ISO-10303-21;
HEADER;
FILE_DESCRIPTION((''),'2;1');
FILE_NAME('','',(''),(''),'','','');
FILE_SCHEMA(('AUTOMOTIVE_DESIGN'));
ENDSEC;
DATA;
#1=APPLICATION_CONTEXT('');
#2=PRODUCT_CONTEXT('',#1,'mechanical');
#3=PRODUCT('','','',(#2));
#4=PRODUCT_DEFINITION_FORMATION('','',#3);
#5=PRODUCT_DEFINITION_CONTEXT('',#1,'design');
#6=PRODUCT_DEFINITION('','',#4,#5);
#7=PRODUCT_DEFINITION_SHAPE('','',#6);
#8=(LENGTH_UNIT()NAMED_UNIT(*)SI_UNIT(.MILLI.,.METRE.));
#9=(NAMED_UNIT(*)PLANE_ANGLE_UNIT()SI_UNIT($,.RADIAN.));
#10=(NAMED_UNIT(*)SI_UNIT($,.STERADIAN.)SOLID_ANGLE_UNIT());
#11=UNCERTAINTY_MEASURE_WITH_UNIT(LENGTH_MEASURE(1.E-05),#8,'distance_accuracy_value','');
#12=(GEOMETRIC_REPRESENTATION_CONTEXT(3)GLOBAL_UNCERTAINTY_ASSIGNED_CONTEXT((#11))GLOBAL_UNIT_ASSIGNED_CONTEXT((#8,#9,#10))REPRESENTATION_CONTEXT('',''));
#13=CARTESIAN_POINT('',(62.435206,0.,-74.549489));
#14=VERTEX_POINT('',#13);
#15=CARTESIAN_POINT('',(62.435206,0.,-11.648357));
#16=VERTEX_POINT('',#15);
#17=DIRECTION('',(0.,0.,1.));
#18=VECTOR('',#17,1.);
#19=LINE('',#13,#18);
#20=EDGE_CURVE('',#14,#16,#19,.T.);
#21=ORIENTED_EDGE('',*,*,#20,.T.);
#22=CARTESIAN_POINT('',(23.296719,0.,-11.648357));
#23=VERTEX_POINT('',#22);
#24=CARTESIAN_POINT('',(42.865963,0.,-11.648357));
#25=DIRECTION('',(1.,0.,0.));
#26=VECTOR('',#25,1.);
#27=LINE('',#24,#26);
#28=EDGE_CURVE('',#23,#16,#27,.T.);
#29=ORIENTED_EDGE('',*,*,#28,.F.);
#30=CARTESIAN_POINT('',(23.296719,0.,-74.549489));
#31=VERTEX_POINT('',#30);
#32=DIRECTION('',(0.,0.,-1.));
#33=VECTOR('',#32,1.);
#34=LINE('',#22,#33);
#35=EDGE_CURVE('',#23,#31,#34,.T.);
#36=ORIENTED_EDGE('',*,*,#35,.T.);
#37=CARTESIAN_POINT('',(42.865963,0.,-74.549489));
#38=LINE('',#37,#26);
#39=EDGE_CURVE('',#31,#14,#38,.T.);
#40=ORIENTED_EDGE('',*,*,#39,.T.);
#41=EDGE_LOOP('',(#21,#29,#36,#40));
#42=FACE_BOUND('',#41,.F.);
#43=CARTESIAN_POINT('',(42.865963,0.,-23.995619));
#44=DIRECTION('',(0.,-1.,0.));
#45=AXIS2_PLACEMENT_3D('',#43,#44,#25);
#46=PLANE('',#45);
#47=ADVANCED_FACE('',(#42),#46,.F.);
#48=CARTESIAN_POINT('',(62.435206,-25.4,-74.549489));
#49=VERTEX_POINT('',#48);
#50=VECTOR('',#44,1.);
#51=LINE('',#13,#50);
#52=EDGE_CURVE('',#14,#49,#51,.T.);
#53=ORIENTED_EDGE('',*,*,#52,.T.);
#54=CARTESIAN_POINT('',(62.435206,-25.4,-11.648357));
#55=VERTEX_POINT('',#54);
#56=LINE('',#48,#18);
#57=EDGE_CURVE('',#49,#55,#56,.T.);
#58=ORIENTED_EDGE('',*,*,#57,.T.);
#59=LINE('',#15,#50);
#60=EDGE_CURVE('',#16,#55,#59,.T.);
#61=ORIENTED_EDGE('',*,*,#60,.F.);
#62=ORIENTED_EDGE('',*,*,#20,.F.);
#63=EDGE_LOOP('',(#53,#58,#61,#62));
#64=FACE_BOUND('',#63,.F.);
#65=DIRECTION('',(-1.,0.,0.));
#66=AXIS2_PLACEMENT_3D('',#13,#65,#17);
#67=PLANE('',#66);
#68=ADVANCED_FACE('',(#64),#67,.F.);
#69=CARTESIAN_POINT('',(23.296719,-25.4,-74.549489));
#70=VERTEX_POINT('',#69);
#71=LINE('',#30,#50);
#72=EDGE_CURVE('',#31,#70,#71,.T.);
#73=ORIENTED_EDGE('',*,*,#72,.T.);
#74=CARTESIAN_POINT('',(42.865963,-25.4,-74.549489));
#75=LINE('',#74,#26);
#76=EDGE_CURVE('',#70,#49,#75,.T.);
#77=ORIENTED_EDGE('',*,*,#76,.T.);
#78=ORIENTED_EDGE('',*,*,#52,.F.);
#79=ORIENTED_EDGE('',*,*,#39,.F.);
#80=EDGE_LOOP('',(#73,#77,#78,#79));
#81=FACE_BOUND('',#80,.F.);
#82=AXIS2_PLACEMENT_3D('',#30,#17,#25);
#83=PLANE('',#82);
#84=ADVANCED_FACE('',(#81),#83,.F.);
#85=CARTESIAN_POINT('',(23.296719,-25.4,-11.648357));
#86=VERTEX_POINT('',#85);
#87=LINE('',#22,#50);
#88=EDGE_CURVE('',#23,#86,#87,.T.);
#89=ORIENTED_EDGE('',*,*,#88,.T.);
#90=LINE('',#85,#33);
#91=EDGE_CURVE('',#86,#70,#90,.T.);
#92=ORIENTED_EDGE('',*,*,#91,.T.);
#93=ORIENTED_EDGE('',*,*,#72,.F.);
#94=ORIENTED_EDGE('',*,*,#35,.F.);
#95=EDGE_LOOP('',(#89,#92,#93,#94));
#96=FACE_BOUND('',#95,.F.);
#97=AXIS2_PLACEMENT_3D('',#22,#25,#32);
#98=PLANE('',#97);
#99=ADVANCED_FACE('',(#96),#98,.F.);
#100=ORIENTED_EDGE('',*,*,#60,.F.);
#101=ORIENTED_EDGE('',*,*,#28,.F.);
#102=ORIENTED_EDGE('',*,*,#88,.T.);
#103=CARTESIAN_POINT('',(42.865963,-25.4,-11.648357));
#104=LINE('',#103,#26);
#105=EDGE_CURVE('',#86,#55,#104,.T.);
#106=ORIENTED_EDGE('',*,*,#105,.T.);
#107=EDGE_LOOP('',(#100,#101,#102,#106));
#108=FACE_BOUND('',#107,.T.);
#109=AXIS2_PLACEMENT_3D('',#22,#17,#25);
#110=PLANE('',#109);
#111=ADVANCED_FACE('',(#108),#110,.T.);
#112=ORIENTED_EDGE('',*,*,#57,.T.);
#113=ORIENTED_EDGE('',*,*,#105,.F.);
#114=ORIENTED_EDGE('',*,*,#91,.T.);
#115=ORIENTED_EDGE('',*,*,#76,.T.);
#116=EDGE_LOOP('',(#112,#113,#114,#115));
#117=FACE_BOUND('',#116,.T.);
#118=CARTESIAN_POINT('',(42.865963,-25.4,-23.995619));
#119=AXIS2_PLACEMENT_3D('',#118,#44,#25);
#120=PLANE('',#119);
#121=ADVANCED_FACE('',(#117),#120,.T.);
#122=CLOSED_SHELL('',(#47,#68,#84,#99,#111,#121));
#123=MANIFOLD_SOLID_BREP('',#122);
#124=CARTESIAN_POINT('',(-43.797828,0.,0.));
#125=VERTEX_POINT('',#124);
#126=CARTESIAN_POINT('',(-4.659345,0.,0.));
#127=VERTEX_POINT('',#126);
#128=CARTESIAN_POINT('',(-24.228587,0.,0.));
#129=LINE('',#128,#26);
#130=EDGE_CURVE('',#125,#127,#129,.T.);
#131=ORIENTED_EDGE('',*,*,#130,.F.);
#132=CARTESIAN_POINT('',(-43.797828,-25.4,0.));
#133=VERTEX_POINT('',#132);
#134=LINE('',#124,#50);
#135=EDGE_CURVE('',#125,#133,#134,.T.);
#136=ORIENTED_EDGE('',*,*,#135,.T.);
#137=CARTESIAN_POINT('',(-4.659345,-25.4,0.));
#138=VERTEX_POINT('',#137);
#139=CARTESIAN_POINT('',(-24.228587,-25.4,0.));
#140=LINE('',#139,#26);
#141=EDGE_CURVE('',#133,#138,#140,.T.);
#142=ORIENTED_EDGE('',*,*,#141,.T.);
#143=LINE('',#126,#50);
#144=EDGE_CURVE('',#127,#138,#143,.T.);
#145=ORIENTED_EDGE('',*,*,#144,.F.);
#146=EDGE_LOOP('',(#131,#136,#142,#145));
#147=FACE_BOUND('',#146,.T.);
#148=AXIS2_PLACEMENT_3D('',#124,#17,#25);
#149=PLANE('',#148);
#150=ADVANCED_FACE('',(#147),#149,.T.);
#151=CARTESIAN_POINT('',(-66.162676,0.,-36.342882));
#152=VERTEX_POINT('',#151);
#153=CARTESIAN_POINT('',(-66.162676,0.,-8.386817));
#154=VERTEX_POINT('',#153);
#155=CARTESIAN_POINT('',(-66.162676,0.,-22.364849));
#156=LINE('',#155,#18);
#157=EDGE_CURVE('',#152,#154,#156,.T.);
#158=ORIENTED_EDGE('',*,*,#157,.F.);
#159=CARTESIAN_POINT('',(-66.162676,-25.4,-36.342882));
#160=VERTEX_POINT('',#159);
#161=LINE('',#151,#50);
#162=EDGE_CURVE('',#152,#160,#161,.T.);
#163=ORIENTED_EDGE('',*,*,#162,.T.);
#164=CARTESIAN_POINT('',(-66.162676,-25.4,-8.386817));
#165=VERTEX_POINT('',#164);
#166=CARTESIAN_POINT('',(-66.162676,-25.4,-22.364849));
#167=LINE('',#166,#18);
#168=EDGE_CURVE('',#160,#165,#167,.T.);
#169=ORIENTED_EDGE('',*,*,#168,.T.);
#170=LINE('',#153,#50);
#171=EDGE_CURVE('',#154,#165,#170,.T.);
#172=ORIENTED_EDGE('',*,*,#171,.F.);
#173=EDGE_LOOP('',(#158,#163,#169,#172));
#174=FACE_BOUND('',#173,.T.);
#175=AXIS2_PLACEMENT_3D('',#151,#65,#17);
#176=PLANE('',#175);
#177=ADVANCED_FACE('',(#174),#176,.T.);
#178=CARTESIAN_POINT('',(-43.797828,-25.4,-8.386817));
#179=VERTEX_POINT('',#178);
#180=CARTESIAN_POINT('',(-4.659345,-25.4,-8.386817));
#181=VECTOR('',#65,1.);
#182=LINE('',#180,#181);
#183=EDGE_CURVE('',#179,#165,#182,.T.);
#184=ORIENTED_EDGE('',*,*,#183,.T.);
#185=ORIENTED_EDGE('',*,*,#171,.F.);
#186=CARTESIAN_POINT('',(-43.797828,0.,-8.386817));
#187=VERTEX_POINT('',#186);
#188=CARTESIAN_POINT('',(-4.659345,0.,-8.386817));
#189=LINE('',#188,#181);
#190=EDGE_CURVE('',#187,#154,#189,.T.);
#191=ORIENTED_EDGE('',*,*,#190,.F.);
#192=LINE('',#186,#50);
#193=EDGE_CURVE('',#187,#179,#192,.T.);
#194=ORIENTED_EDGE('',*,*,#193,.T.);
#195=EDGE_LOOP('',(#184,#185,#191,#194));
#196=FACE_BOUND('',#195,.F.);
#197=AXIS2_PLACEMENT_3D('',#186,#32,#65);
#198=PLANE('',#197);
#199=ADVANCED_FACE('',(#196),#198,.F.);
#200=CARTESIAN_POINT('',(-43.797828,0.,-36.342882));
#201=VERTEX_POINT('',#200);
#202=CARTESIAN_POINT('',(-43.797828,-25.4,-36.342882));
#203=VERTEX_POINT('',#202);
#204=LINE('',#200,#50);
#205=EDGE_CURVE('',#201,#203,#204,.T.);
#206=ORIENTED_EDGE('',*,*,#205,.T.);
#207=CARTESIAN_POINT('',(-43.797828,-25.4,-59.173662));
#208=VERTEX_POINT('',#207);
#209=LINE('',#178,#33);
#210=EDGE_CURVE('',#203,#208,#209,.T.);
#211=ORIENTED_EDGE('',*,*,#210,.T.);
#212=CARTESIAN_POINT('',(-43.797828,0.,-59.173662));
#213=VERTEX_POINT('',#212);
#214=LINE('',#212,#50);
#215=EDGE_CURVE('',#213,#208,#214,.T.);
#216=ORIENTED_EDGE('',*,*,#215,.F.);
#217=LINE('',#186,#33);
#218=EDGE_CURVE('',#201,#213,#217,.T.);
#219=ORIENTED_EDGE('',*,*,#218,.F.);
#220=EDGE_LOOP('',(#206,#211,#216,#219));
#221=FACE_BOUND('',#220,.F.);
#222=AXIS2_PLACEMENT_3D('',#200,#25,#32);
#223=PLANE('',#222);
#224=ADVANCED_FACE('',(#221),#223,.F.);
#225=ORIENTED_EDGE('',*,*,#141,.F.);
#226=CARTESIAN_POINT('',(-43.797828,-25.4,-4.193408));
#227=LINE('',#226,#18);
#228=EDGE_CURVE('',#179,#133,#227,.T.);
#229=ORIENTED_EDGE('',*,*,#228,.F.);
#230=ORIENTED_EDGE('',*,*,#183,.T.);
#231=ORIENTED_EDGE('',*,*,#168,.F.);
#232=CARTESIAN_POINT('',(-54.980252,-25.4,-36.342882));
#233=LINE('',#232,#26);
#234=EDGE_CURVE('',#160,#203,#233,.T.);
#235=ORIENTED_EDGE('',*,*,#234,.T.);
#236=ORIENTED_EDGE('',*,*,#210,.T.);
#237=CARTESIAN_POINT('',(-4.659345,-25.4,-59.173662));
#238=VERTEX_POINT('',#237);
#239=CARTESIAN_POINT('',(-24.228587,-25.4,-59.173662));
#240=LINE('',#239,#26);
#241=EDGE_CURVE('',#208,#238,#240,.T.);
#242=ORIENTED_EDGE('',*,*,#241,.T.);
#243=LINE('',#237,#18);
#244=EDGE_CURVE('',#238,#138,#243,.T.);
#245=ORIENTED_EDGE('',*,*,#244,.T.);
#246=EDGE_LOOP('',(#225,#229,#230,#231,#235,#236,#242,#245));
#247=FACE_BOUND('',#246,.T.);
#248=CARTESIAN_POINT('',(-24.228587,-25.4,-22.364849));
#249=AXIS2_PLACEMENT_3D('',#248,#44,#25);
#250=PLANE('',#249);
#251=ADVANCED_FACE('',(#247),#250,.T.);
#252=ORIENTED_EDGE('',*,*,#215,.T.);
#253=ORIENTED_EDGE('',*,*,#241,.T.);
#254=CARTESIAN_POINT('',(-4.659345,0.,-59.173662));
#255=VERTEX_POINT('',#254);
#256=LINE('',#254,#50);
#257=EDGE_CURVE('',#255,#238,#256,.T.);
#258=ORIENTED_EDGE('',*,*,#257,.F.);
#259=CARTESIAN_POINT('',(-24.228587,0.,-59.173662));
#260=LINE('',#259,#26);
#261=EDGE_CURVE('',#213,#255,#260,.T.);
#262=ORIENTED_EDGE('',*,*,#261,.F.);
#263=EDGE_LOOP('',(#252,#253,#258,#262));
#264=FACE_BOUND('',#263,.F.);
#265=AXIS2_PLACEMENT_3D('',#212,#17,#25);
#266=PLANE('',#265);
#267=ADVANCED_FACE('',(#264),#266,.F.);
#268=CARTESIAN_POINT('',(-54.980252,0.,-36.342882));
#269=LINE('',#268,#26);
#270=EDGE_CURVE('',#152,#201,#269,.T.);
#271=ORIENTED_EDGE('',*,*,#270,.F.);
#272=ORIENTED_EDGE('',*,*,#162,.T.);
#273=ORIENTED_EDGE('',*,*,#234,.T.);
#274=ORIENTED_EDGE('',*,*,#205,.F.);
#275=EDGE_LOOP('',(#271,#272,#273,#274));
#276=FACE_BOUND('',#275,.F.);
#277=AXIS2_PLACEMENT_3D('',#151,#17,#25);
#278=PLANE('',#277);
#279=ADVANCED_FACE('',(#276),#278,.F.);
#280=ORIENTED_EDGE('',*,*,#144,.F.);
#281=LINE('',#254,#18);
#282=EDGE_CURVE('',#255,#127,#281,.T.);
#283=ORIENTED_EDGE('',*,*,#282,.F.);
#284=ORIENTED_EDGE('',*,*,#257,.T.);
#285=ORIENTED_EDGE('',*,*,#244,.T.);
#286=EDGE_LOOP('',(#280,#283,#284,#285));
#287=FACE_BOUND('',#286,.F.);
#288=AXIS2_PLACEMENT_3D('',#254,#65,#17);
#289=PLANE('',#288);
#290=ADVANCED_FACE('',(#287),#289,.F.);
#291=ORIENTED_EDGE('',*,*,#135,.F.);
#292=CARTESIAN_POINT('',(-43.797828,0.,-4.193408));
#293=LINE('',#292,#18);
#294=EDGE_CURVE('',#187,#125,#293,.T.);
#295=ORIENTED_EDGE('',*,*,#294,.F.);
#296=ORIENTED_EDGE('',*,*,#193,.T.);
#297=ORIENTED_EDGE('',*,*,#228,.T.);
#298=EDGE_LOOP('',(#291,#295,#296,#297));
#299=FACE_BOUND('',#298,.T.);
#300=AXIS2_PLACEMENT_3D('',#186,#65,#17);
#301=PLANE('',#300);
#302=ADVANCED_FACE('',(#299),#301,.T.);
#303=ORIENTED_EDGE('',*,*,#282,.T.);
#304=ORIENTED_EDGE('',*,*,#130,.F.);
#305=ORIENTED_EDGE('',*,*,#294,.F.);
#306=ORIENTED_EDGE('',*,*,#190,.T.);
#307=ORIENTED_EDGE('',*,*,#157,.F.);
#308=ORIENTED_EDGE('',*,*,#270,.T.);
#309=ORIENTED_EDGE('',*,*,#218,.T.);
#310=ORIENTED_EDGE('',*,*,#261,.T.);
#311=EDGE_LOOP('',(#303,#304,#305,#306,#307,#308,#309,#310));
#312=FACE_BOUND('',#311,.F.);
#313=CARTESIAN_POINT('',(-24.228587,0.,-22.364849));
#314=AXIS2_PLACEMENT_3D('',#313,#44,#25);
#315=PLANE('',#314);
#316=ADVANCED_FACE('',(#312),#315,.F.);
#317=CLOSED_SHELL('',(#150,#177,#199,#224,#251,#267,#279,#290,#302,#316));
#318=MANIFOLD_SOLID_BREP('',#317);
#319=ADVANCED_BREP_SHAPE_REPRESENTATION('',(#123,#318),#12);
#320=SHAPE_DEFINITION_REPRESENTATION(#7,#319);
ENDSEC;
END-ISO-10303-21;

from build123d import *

# Parameters (mm, degrees)
F0_W     = 39.1384833492
F0_H     = 27.9560647905
F0_H_2   = 22.8307805955
F0_W_2   = 22.364847362
F0_H_3   = 8.3868168294
F1_DEPTH = 25.4
F0_W_3   = 39.1384866089
F0_H_4   = 24.6945247054
F0_H_5   = 38.2066071033


with BuildPart() as f1:
    # F0 (on Front) → F1 (new body)
    with BuildSketch(Plane.XZ):
        with Locations((-24.2285865825, -22.3648492247)):
            Rectangle(F0_W, F0_H)
        with Locations((-24.2285865825, -47.7582719177)):
            Rectangle(F0_W, F0_H_2)
        with Locations((-54.9802519381, -22.3648492247)):
            Rectangle(F0_W_2, F0_H)
        with Locations((-24.2285865825, -4.1934084147)):
            Rectangle(F0_W, F0_H_3)
    extrude(amount=F1_DEPTH)


with BuildPart() as f1b:
    # F0 (on Front) → F1, piece 2 (new body)
    with BuildSketch(Plane.XZ):
        with Locations((42.8659627214, -23.9956192672)):
            Rectangle(F0_W_3, F0_H_4)
        with Locations((42.8659627214, -55.4461851716)):
            Rectangle(F0_W_3, F0_H_5)
    extrude(amount=F1_DEPTH)


solid = Compound([f1.part, f1b.part])
